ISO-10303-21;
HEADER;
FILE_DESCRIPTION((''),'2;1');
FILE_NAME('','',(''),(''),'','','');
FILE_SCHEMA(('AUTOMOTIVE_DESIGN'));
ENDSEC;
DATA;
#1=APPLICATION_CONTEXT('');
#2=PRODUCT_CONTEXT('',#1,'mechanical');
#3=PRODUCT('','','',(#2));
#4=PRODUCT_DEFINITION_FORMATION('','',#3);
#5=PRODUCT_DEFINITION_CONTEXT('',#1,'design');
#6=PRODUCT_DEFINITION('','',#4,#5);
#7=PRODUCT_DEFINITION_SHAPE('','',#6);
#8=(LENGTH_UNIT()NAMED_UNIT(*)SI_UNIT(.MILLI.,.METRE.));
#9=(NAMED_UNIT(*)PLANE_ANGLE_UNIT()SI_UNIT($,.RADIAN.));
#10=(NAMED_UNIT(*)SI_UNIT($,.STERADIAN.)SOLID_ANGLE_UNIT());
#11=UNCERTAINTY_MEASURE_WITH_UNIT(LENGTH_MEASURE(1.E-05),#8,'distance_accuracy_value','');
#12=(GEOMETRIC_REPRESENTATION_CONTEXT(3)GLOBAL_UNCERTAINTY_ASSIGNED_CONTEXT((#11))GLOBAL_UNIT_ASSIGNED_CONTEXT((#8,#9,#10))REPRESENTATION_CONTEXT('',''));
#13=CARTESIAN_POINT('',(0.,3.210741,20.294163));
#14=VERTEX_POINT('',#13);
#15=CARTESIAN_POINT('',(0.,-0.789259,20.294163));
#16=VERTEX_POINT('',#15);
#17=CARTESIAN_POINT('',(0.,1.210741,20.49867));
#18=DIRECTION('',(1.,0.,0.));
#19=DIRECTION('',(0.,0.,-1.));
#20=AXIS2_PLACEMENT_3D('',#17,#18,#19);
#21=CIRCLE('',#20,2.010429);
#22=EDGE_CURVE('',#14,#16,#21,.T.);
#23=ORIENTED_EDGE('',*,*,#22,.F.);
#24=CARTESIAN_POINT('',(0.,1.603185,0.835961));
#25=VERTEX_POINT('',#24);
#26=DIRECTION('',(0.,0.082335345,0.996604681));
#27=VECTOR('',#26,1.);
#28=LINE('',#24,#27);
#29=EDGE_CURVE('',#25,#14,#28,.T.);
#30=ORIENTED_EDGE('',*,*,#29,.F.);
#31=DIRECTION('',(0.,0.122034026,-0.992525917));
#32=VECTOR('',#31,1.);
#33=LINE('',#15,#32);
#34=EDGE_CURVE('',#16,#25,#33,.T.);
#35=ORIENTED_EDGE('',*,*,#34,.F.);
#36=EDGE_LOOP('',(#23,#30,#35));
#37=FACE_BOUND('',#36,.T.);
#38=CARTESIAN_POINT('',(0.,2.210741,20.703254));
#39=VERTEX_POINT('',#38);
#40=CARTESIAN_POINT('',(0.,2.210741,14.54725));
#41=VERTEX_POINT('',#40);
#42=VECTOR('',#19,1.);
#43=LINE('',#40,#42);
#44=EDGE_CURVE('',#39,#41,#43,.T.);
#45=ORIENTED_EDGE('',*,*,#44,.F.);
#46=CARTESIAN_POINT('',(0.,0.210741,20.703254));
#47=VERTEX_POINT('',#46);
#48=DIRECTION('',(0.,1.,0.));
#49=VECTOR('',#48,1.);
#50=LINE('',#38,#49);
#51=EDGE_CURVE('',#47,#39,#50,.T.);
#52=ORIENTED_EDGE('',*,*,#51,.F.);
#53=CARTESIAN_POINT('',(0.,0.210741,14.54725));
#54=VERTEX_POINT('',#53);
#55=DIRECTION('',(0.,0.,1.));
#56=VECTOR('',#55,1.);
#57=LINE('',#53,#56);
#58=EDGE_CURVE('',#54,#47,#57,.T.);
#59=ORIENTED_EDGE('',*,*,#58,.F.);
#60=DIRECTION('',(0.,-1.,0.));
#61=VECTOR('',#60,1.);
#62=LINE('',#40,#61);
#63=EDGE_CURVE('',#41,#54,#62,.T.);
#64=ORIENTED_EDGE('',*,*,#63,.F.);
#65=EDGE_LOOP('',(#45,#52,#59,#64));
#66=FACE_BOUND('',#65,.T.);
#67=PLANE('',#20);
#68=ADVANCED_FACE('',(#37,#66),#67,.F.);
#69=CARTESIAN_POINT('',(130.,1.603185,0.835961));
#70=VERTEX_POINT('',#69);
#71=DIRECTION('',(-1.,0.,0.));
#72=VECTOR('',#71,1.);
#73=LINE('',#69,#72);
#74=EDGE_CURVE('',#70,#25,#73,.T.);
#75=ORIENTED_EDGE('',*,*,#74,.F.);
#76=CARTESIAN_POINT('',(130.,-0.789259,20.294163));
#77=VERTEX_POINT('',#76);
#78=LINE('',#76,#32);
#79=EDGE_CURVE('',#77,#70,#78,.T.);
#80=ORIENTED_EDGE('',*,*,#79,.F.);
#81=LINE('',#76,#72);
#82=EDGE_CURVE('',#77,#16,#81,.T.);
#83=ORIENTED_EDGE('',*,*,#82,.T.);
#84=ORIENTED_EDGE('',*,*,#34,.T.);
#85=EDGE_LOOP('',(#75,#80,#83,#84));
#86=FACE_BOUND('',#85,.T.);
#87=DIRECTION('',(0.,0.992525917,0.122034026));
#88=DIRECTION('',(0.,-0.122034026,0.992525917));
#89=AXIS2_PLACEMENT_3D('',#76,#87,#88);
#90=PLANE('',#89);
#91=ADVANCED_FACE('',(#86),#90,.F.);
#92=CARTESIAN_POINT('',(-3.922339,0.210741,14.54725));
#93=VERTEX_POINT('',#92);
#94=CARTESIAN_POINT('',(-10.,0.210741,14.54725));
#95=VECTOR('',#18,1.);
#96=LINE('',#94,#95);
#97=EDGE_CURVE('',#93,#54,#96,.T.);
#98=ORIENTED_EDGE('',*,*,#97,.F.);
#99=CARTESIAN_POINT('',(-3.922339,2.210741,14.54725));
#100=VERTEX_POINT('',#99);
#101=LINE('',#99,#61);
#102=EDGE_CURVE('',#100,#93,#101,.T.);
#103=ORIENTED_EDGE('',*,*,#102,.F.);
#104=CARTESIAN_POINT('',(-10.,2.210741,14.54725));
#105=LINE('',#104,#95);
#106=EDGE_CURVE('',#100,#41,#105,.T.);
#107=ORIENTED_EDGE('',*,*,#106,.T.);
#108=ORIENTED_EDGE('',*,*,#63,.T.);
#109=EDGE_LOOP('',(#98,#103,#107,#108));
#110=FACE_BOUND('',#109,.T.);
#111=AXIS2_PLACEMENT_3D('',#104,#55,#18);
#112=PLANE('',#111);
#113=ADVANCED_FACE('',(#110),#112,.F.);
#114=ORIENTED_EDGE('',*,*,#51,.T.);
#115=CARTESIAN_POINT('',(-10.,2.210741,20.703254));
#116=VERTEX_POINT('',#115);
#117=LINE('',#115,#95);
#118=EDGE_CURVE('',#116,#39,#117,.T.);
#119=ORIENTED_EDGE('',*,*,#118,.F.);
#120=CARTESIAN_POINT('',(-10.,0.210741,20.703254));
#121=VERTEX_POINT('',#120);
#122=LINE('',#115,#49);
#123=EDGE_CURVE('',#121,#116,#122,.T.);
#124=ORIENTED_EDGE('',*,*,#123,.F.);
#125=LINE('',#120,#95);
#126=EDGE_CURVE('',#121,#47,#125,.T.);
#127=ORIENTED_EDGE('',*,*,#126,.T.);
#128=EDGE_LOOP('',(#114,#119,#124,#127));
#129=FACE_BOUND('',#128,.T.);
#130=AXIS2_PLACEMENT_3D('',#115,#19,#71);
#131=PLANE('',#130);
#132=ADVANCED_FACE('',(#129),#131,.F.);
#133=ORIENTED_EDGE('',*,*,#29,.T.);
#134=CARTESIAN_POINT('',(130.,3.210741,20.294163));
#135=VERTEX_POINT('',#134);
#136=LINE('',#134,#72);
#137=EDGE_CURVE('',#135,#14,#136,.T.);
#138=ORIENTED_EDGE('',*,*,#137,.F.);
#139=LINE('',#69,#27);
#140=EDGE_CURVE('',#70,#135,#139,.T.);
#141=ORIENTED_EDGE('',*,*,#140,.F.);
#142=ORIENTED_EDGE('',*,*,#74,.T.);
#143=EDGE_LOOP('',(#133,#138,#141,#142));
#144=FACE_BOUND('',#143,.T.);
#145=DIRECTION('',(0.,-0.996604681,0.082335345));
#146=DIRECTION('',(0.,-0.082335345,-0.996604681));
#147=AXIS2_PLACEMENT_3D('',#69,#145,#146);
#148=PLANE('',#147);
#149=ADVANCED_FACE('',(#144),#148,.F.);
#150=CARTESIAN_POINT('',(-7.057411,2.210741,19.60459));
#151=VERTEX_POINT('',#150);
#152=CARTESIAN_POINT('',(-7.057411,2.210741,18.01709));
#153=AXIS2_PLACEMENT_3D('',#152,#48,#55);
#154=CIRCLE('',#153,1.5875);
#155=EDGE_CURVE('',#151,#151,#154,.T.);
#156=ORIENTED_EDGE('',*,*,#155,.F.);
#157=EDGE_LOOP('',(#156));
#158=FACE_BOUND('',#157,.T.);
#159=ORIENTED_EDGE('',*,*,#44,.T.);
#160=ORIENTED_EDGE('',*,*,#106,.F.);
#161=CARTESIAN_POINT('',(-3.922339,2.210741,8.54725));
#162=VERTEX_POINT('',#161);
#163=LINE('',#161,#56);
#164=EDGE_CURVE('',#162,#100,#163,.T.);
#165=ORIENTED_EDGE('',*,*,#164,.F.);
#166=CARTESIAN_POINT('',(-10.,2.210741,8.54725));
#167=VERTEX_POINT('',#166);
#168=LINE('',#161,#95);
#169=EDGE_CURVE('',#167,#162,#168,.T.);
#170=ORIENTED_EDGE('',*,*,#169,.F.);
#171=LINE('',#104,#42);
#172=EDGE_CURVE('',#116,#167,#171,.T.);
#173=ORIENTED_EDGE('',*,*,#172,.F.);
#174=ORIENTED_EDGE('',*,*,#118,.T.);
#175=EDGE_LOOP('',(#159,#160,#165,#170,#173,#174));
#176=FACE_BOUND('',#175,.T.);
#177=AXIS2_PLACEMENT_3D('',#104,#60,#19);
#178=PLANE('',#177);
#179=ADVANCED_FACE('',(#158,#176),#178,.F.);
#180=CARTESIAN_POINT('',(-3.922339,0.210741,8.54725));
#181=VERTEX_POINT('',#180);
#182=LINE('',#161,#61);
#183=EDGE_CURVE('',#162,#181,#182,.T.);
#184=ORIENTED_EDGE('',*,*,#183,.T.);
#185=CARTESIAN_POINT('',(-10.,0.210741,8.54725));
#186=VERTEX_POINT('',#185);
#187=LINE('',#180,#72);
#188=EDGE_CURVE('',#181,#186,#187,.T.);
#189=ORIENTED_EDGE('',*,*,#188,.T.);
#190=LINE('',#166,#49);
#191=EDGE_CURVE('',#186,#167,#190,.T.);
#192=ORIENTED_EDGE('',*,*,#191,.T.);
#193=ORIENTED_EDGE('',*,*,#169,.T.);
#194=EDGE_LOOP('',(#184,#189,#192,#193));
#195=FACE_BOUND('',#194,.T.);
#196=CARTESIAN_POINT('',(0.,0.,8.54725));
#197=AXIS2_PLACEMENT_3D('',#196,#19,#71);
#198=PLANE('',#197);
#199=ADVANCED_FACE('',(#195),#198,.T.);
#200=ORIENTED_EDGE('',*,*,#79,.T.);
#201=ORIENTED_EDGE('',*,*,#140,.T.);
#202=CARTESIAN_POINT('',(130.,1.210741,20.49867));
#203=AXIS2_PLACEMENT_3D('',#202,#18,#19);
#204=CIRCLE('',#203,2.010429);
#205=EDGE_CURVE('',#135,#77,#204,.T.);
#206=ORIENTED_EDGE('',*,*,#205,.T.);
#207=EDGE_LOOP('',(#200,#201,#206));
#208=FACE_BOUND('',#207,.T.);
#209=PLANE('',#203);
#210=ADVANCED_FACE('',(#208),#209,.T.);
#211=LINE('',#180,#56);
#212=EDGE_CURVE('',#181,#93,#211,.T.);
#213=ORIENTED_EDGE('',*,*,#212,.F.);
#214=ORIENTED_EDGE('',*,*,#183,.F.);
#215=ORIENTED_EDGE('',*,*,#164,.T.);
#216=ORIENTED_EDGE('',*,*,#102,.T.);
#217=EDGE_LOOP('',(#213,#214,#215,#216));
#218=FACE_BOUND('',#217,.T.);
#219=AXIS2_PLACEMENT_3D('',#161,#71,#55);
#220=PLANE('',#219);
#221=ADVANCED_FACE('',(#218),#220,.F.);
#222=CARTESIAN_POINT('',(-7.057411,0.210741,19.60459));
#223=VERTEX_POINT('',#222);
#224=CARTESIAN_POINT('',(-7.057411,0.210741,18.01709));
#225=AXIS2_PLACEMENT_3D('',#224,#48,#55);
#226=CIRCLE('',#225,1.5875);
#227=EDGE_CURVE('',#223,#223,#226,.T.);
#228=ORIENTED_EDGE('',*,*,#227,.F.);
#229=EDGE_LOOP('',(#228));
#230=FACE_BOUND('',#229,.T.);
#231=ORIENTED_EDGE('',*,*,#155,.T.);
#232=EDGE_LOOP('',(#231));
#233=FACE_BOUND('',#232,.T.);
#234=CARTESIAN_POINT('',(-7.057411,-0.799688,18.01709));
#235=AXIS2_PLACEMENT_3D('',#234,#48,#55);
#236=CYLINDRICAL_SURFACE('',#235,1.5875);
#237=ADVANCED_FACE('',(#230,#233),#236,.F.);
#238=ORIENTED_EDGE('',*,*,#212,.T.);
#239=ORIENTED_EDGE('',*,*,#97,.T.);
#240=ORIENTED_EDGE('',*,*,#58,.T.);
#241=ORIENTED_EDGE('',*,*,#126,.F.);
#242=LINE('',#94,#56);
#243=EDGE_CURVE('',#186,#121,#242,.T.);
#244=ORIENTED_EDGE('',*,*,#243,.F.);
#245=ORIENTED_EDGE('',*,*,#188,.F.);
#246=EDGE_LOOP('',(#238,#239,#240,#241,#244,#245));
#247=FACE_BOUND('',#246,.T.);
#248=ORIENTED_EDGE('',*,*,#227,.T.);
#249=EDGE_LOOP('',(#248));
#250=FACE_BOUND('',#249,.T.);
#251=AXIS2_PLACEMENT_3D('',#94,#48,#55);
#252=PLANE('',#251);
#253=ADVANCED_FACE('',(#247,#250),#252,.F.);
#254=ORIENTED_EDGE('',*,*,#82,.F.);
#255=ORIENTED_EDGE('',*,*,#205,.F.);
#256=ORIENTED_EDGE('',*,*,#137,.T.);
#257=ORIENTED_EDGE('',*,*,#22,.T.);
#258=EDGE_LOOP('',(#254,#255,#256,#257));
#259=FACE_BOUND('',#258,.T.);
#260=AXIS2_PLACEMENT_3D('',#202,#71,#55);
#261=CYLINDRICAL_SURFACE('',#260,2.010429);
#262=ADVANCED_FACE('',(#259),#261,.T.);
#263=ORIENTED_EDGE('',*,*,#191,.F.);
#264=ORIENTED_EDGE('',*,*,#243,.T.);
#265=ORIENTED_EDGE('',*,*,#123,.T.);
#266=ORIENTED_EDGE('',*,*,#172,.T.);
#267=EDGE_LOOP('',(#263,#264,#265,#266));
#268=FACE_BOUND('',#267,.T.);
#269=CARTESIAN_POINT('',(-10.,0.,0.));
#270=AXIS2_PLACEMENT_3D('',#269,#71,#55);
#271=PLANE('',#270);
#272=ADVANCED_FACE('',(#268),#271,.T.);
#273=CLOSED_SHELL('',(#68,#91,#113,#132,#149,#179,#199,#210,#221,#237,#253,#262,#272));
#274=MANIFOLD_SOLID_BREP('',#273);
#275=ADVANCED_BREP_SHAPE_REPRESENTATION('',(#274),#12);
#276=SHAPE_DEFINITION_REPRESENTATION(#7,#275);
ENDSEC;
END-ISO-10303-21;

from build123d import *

# Parameters (mm, degrees)
BOSS_EXTRUDE2_DEPTH = 130
SKETCH3_W           = 6.156004655
SKETCH3_H           = 2
BOSS_EXTRUDE3_DEPTH = 10
SKETCH4_W           = 6.077661346
SKETCH4_H           = 2
BOSS_EXTRUDE4_DEPTH = 6
SKETCH5_R           = 1.5875
CUT_EXTRUDE1_DEPTH  = 132.968640925


with BuildPart() as part:
    # Sketch2 → Boss-Extrude2 (new body)
    with BuildSketch(Plane(origin=(0, 0, 0), x_dir=(0, 0, -1), z_dir=(1, 0, 0))):
        with BuildLine():
            Line((-0.835960879, 1.603184904), (-20.29416291, 3.210740854))
            ThreePointArc((-20.29416291, 3.210740854), (-22.509098324, 1.210740854), (-20.29416291, -0.789259146))
            Line((-20.29416291, -0.789259146), (-0.835960879, 1.603184904))
        make_face()
    extrude(amount=BOSS_EXTRUDE2_DEPTH)

    # Sketch3 → Boss-Extrude3 (add)
    with BuildSketch(Plane.ZY):
        with Locations((17.625252135, 1.210740854)):
            Rectangle(SKETCH3_W, SKETCH3_H)
    extrude(amount=BOSS_EXTRUDE3_DEPTH)

    # Sketch4 → Boss-Extrude4 (add)
    with BuildSketch(Plane(origin=(0, 0, 14.547249808), x_dir=(-1, 0, 0), z_dir=(0, 0, -1))):
        with Locations((6.961169327, 1.210740854)):
            Rectangle(SKETCH4_W, SKETCH4_H)
    extrude(amount=BOSS_EXTRUDE4_DEPTH)

    # Sketch5 → Cut-Extrude1 (cut, through all)
    with BuildSketch(Plane(origin=(0, 2.210740854, 0), x_dir=(1, 0, 0), z_dir=(0, 1, 0))):
        with Locations(Location((-7.057411019, -18.017090399, 0), (0, 0, 270))):
            Circle(SKETCH5_R)
    extrude(amount=-CUT_EXTRUDE1_DEPTH, mode=Mode.SUBTRACT)


solid = part.part
